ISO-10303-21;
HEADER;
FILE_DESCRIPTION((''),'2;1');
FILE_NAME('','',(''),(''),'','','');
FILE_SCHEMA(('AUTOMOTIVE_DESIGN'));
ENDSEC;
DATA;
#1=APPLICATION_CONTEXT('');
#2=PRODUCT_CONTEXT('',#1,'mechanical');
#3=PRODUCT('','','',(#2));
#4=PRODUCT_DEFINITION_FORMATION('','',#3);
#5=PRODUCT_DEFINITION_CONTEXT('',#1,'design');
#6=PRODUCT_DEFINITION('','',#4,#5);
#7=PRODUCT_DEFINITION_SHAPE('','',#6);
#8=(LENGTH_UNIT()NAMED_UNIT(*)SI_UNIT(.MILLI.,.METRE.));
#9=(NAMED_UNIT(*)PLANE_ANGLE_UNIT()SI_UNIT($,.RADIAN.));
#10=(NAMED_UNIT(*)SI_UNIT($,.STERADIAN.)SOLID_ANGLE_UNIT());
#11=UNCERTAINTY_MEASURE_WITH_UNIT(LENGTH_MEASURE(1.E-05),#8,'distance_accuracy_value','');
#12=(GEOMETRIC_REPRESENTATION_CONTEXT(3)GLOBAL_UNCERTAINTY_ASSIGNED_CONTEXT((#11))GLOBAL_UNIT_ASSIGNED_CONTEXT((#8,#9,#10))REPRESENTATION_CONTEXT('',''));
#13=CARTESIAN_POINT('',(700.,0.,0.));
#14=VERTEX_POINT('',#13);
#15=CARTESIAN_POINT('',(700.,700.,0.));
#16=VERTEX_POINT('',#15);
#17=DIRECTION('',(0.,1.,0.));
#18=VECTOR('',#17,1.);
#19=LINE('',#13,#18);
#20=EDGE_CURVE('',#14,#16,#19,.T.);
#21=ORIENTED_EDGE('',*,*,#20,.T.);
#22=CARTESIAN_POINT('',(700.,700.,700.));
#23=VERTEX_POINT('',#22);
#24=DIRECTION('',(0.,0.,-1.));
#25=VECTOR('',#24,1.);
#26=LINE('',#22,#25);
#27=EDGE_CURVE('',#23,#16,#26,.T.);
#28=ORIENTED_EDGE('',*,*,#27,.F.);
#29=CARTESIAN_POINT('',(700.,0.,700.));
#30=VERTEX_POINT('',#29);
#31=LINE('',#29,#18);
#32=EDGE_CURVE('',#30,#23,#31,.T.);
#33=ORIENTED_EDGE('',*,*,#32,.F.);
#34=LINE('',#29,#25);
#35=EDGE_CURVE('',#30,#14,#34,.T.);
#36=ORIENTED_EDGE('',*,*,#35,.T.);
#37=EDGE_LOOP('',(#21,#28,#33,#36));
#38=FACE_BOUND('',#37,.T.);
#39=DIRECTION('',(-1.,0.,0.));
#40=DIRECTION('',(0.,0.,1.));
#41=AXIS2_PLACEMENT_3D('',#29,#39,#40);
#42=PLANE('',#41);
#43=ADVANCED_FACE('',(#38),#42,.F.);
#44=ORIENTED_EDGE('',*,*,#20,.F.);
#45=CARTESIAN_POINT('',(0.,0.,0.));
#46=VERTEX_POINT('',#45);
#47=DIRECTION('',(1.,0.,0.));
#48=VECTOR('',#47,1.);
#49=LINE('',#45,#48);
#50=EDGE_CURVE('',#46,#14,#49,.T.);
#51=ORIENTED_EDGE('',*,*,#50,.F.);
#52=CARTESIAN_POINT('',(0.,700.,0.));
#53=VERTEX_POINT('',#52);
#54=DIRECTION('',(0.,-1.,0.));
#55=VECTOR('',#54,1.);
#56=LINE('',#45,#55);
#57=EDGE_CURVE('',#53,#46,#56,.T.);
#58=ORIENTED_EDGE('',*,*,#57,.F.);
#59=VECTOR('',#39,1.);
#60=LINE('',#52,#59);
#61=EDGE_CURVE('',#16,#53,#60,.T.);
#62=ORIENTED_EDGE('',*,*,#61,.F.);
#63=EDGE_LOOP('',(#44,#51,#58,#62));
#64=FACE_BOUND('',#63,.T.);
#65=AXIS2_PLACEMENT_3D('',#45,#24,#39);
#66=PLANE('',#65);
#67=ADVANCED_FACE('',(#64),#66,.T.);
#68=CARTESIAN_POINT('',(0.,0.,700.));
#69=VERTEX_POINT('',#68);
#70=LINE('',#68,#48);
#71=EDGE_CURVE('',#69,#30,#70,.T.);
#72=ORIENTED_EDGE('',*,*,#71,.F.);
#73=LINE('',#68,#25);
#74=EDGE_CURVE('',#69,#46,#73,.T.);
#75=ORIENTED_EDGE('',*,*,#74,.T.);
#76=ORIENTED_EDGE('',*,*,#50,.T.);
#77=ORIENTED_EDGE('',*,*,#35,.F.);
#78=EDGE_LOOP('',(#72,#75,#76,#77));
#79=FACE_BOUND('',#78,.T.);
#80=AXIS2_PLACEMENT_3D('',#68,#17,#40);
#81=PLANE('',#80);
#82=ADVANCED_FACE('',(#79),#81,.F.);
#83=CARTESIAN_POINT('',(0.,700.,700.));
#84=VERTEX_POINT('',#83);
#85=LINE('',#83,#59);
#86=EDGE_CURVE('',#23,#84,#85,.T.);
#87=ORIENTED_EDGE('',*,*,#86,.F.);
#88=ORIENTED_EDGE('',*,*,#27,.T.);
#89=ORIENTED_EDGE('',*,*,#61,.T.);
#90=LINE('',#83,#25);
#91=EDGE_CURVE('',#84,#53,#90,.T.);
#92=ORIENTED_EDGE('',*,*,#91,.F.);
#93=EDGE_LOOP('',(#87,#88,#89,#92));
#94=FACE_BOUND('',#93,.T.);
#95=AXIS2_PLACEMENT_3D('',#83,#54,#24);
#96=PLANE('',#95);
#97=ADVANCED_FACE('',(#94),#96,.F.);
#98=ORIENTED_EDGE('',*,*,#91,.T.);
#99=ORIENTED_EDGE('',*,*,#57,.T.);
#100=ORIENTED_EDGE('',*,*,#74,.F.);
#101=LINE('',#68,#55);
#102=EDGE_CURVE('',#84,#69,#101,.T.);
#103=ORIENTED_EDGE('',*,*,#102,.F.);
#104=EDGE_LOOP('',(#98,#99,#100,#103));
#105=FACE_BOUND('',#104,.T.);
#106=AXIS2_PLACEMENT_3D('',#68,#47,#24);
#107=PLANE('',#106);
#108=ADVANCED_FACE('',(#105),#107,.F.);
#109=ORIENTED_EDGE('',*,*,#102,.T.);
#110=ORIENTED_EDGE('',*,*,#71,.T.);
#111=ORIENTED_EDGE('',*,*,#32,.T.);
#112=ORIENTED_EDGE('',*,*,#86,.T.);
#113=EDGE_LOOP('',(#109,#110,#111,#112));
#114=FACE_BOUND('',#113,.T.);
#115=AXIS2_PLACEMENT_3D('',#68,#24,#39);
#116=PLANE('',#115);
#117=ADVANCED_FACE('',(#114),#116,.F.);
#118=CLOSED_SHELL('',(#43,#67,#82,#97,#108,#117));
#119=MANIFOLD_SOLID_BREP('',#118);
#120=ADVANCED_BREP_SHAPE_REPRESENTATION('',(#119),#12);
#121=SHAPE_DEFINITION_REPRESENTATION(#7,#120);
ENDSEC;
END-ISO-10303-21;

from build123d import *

# Parameters (mm, degrees)
SKETCH_1_W      = 700
SKETCH_1_H      = 700
EXTRUDE_1_DEPTH = 700


with BuildPart() as part:
    # ｽｹｯﾁ1 → ﾎﾞｽ - 押し出し1 (new body)
    with BuildSketch(Plane.XY):
        with Locations((350, 350)):
            Rectangle(SKETCH_1_W, SKETCH_1_H)
    extrude(amount=EXTRUDE_1_DEPTH)


solid = part.part
